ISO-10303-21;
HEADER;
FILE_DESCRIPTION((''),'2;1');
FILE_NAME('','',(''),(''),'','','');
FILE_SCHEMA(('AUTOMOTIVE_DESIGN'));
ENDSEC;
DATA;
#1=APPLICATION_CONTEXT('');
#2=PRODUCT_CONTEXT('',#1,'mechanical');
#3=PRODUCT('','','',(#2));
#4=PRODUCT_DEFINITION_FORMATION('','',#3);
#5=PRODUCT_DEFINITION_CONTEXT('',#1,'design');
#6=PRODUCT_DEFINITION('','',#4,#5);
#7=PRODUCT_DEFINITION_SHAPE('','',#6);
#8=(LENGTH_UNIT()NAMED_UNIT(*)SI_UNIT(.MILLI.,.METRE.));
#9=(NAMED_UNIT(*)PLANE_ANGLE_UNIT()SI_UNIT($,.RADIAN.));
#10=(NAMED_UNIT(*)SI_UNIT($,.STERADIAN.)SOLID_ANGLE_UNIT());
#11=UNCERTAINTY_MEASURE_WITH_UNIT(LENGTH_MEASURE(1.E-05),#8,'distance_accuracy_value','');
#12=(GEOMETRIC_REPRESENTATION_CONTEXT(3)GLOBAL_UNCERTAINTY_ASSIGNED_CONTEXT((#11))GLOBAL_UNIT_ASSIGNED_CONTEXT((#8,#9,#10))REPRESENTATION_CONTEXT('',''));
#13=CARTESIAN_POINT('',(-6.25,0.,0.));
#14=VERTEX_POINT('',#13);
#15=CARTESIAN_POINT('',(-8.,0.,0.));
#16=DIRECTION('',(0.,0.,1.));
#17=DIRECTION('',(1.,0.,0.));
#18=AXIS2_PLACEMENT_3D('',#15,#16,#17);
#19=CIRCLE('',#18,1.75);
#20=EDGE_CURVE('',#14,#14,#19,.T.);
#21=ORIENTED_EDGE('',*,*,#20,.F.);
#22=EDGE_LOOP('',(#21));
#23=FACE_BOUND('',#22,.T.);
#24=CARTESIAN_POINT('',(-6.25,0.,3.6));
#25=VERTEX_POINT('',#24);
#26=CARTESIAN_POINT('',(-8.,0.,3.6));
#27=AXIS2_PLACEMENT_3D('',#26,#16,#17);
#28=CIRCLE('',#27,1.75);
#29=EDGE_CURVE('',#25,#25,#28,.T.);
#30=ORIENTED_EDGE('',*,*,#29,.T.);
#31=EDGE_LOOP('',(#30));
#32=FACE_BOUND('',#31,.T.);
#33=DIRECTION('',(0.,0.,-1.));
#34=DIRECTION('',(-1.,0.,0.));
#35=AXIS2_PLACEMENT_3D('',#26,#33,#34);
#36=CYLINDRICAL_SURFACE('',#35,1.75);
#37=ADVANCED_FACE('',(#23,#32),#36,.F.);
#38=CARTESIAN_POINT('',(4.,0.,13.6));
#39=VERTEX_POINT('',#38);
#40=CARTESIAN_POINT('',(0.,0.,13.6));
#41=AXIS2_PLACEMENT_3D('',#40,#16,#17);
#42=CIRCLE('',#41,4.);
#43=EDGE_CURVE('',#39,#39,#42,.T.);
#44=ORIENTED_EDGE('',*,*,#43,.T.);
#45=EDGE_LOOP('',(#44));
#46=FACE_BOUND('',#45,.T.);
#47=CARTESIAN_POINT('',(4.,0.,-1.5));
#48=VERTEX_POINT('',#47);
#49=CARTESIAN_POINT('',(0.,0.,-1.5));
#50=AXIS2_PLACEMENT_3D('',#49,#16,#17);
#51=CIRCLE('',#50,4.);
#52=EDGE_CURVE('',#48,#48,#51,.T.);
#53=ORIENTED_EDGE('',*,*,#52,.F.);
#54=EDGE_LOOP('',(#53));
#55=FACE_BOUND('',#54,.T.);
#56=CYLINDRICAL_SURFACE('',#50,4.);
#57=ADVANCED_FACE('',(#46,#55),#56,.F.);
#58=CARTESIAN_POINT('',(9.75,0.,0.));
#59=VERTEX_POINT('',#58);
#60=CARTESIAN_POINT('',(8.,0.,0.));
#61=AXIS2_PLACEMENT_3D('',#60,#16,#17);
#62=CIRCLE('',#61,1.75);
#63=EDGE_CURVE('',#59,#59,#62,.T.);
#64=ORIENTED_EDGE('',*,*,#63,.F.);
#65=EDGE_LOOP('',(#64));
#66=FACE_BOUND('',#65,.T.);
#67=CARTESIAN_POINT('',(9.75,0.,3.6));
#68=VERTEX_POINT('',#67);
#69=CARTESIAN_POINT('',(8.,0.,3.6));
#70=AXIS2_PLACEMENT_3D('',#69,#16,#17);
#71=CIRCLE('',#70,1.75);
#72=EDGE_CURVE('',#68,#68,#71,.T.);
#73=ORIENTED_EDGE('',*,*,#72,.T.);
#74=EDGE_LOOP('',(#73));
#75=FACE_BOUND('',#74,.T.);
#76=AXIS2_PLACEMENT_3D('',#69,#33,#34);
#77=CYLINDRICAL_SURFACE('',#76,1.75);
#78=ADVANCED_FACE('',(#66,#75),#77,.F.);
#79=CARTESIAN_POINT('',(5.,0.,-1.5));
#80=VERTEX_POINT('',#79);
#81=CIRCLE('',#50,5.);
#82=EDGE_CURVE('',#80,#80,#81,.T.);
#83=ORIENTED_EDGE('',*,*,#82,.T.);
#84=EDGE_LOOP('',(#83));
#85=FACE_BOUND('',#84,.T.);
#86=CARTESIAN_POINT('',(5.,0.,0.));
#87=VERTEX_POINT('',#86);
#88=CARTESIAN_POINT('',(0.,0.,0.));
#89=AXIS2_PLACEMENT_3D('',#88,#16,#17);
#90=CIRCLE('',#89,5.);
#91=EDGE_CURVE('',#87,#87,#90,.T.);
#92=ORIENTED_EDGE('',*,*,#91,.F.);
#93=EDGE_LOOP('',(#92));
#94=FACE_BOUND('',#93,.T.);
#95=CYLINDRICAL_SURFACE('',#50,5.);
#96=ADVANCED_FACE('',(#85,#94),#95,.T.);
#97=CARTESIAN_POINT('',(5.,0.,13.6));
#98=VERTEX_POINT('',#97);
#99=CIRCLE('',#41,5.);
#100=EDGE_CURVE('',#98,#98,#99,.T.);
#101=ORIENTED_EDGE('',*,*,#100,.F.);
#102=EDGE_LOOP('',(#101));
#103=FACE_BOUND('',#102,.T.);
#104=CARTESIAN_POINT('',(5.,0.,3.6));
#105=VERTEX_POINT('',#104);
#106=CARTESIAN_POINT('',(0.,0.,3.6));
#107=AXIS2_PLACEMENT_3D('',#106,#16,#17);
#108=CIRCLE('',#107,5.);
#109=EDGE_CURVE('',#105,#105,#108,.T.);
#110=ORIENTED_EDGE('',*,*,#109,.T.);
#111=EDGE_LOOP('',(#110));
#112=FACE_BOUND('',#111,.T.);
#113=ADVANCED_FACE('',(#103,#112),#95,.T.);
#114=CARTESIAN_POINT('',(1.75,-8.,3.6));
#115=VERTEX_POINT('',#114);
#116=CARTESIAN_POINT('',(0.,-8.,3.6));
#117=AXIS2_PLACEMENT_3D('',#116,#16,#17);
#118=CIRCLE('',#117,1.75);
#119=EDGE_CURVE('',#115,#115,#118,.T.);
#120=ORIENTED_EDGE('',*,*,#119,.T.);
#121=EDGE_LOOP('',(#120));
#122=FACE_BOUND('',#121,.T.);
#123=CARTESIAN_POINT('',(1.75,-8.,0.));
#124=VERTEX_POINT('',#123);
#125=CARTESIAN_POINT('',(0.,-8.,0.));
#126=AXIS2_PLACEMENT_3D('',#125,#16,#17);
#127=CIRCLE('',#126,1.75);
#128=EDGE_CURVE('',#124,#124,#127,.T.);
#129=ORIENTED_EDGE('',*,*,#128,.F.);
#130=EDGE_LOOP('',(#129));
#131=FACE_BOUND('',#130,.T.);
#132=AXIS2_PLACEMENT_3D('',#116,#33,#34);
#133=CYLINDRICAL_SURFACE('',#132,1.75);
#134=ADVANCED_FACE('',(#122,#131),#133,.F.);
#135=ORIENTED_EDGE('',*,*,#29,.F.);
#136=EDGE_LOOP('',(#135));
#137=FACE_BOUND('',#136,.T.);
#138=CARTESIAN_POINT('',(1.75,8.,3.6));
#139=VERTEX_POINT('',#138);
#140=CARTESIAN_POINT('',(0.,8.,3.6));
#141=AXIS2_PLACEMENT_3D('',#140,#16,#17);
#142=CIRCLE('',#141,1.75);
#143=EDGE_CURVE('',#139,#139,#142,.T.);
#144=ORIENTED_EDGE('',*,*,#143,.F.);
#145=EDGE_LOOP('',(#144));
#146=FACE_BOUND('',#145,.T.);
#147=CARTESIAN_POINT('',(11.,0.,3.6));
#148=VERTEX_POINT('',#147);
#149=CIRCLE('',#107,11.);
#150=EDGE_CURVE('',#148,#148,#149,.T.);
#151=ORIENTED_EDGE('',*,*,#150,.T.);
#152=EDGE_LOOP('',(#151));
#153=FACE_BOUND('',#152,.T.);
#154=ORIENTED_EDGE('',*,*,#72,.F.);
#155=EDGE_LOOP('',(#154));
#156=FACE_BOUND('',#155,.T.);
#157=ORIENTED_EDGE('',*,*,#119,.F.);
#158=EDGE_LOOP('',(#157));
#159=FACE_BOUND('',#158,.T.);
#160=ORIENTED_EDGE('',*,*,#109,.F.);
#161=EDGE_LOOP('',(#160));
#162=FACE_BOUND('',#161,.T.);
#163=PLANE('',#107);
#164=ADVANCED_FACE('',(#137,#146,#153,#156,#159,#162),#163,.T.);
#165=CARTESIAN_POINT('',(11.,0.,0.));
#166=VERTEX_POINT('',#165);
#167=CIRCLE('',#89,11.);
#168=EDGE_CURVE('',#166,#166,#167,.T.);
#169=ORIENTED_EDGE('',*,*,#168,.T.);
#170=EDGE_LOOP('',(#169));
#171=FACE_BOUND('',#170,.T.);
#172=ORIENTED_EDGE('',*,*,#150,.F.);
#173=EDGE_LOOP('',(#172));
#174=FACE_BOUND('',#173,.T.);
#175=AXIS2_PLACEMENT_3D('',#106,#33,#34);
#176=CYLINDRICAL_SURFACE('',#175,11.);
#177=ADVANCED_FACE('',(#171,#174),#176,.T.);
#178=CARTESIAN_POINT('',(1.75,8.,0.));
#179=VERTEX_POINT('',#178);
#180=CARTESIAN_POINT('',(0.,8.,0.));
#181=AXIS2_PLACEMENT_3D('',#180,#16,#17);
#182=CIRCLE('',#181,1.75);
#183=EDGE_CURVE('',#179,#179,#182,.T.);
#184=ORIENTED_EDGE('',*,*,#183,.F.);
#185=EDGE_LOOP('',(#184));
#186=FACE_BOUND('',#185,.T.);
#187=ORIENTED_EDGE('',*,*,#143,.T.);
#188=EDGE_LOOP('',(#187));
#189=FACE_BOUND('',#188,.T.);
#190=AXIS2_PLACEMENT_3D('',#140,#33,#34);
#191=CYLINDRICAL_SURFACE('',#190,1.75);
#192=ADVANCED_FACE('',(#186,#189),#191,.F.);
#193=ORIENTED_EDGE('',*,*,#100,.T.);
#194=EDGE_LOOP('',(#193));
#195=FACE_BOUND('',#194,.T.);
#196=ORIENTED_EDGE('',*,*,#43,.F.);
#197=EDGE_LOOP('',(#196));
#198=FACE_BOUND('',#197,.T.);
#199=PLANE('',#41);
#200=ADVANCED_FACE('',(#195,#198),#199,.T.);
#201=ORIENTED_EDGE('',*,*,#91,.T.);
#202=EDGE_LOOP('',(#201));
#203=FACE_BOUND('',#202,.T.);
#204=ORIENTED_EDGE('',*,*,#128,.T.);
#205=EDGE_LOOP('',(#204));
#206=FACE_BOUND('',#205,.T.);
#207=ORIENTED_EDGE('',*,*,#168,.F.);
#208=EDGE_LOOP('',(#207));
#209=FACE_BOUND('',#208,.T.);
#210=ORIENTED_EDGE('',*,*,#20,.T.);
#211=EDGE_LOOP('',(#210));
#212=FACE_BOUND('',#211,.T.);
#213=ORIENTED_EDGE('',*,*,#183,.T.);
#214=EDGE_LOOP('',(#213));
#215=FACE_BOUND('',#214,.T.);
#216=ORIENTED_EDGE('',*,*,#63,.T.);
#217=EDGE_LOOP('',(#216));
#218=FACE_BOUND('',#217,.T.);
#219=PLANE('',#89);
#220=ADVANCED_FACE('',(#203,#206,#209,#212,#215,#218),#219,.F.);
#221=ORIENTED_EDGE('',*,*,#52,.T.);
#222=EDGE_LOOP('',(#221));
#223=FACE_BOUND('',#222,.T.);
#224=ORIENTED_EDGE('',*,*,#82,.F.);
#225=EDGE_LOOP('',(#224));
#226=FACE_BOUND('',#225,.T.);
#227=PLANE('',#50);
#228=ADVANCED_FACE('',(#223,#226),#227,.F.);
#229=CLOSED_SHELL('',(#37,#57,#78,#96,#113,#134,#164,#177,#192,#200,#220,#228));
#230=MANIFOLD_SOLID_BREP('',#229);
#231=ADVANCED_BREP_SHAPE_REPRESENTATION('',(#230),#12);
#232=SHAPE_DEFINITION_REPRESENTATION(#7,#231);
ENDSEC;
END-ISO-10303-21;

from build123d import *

# Parameters (mm, degrees)
SKETCH_1_R             = 11
SKETCH_1_R_2           = 1.75
EXTRUDE_1_DEPTH        = 3.6
SKETCH_2_R             = 5
SKETCH_2_R_2           = 4
EXTRUDE_1_2_DEPTH      = 10
EXTRUDE_1_2_DEPTH_BACK = 5.1
SKETCH_3_R             = 4
CUT_EXTRUDE_1_DEPTH    = 14.6


with BuildPart() as part:
    # Эскиз1 → Extrude 1 (new body)
    with BuildSketch(Plane.XY):
        Circle(SKETCH_1_R)
        with Locations((0, 8)):
            Circle(SKETCH_1_R_2, mode=Mode.SUBTRACT)
        with Locations((8, 0)):
            Circle(SKETCH_1_R_2, mode=Mode.SUBTRACT)
        with Locations((0, -8)):
            Circle(SKETCH_1_R_2, mode=Mode.SUBTRACT)
        with Locations((-8, 0)):
            Circle(SKETCH_1_R_2, mode=Mode.SUBTRACT)
    extrude(amount=EXTRUDE_1_DEPTH)

    # Эскиз2 → Extrude 1 2 (add, two sides)
    with BuildSketch(Plane.XY.offset(3.6)) as extrude_1_2_sk:
        Circle(SKETCH_2_R)
        Circle(SKETCH_2_R_2, mode=Mode.SUBTRACT)
    extrude(amount=EXTRUDE_1_2_DEPTH)
    extrude(extrude_1_2_sk.sketch, amount=-EXTRUDE_1_2_DEPTH_BACK)

    # Эскиз3 → Вырез-Вытянуть1 (cut, through all)
    with BuildSketch(Plane(origin=(0, 0, 0), x_dir=(-1, 0, 0), z_dir=(0, 0, -1))):
        Circle(SKETCH_3_R)
    extrude(amount=-CUT_EXTRUDE_1_DEPTH, mode=Mode.SUBTRACT)


solid = part.part
